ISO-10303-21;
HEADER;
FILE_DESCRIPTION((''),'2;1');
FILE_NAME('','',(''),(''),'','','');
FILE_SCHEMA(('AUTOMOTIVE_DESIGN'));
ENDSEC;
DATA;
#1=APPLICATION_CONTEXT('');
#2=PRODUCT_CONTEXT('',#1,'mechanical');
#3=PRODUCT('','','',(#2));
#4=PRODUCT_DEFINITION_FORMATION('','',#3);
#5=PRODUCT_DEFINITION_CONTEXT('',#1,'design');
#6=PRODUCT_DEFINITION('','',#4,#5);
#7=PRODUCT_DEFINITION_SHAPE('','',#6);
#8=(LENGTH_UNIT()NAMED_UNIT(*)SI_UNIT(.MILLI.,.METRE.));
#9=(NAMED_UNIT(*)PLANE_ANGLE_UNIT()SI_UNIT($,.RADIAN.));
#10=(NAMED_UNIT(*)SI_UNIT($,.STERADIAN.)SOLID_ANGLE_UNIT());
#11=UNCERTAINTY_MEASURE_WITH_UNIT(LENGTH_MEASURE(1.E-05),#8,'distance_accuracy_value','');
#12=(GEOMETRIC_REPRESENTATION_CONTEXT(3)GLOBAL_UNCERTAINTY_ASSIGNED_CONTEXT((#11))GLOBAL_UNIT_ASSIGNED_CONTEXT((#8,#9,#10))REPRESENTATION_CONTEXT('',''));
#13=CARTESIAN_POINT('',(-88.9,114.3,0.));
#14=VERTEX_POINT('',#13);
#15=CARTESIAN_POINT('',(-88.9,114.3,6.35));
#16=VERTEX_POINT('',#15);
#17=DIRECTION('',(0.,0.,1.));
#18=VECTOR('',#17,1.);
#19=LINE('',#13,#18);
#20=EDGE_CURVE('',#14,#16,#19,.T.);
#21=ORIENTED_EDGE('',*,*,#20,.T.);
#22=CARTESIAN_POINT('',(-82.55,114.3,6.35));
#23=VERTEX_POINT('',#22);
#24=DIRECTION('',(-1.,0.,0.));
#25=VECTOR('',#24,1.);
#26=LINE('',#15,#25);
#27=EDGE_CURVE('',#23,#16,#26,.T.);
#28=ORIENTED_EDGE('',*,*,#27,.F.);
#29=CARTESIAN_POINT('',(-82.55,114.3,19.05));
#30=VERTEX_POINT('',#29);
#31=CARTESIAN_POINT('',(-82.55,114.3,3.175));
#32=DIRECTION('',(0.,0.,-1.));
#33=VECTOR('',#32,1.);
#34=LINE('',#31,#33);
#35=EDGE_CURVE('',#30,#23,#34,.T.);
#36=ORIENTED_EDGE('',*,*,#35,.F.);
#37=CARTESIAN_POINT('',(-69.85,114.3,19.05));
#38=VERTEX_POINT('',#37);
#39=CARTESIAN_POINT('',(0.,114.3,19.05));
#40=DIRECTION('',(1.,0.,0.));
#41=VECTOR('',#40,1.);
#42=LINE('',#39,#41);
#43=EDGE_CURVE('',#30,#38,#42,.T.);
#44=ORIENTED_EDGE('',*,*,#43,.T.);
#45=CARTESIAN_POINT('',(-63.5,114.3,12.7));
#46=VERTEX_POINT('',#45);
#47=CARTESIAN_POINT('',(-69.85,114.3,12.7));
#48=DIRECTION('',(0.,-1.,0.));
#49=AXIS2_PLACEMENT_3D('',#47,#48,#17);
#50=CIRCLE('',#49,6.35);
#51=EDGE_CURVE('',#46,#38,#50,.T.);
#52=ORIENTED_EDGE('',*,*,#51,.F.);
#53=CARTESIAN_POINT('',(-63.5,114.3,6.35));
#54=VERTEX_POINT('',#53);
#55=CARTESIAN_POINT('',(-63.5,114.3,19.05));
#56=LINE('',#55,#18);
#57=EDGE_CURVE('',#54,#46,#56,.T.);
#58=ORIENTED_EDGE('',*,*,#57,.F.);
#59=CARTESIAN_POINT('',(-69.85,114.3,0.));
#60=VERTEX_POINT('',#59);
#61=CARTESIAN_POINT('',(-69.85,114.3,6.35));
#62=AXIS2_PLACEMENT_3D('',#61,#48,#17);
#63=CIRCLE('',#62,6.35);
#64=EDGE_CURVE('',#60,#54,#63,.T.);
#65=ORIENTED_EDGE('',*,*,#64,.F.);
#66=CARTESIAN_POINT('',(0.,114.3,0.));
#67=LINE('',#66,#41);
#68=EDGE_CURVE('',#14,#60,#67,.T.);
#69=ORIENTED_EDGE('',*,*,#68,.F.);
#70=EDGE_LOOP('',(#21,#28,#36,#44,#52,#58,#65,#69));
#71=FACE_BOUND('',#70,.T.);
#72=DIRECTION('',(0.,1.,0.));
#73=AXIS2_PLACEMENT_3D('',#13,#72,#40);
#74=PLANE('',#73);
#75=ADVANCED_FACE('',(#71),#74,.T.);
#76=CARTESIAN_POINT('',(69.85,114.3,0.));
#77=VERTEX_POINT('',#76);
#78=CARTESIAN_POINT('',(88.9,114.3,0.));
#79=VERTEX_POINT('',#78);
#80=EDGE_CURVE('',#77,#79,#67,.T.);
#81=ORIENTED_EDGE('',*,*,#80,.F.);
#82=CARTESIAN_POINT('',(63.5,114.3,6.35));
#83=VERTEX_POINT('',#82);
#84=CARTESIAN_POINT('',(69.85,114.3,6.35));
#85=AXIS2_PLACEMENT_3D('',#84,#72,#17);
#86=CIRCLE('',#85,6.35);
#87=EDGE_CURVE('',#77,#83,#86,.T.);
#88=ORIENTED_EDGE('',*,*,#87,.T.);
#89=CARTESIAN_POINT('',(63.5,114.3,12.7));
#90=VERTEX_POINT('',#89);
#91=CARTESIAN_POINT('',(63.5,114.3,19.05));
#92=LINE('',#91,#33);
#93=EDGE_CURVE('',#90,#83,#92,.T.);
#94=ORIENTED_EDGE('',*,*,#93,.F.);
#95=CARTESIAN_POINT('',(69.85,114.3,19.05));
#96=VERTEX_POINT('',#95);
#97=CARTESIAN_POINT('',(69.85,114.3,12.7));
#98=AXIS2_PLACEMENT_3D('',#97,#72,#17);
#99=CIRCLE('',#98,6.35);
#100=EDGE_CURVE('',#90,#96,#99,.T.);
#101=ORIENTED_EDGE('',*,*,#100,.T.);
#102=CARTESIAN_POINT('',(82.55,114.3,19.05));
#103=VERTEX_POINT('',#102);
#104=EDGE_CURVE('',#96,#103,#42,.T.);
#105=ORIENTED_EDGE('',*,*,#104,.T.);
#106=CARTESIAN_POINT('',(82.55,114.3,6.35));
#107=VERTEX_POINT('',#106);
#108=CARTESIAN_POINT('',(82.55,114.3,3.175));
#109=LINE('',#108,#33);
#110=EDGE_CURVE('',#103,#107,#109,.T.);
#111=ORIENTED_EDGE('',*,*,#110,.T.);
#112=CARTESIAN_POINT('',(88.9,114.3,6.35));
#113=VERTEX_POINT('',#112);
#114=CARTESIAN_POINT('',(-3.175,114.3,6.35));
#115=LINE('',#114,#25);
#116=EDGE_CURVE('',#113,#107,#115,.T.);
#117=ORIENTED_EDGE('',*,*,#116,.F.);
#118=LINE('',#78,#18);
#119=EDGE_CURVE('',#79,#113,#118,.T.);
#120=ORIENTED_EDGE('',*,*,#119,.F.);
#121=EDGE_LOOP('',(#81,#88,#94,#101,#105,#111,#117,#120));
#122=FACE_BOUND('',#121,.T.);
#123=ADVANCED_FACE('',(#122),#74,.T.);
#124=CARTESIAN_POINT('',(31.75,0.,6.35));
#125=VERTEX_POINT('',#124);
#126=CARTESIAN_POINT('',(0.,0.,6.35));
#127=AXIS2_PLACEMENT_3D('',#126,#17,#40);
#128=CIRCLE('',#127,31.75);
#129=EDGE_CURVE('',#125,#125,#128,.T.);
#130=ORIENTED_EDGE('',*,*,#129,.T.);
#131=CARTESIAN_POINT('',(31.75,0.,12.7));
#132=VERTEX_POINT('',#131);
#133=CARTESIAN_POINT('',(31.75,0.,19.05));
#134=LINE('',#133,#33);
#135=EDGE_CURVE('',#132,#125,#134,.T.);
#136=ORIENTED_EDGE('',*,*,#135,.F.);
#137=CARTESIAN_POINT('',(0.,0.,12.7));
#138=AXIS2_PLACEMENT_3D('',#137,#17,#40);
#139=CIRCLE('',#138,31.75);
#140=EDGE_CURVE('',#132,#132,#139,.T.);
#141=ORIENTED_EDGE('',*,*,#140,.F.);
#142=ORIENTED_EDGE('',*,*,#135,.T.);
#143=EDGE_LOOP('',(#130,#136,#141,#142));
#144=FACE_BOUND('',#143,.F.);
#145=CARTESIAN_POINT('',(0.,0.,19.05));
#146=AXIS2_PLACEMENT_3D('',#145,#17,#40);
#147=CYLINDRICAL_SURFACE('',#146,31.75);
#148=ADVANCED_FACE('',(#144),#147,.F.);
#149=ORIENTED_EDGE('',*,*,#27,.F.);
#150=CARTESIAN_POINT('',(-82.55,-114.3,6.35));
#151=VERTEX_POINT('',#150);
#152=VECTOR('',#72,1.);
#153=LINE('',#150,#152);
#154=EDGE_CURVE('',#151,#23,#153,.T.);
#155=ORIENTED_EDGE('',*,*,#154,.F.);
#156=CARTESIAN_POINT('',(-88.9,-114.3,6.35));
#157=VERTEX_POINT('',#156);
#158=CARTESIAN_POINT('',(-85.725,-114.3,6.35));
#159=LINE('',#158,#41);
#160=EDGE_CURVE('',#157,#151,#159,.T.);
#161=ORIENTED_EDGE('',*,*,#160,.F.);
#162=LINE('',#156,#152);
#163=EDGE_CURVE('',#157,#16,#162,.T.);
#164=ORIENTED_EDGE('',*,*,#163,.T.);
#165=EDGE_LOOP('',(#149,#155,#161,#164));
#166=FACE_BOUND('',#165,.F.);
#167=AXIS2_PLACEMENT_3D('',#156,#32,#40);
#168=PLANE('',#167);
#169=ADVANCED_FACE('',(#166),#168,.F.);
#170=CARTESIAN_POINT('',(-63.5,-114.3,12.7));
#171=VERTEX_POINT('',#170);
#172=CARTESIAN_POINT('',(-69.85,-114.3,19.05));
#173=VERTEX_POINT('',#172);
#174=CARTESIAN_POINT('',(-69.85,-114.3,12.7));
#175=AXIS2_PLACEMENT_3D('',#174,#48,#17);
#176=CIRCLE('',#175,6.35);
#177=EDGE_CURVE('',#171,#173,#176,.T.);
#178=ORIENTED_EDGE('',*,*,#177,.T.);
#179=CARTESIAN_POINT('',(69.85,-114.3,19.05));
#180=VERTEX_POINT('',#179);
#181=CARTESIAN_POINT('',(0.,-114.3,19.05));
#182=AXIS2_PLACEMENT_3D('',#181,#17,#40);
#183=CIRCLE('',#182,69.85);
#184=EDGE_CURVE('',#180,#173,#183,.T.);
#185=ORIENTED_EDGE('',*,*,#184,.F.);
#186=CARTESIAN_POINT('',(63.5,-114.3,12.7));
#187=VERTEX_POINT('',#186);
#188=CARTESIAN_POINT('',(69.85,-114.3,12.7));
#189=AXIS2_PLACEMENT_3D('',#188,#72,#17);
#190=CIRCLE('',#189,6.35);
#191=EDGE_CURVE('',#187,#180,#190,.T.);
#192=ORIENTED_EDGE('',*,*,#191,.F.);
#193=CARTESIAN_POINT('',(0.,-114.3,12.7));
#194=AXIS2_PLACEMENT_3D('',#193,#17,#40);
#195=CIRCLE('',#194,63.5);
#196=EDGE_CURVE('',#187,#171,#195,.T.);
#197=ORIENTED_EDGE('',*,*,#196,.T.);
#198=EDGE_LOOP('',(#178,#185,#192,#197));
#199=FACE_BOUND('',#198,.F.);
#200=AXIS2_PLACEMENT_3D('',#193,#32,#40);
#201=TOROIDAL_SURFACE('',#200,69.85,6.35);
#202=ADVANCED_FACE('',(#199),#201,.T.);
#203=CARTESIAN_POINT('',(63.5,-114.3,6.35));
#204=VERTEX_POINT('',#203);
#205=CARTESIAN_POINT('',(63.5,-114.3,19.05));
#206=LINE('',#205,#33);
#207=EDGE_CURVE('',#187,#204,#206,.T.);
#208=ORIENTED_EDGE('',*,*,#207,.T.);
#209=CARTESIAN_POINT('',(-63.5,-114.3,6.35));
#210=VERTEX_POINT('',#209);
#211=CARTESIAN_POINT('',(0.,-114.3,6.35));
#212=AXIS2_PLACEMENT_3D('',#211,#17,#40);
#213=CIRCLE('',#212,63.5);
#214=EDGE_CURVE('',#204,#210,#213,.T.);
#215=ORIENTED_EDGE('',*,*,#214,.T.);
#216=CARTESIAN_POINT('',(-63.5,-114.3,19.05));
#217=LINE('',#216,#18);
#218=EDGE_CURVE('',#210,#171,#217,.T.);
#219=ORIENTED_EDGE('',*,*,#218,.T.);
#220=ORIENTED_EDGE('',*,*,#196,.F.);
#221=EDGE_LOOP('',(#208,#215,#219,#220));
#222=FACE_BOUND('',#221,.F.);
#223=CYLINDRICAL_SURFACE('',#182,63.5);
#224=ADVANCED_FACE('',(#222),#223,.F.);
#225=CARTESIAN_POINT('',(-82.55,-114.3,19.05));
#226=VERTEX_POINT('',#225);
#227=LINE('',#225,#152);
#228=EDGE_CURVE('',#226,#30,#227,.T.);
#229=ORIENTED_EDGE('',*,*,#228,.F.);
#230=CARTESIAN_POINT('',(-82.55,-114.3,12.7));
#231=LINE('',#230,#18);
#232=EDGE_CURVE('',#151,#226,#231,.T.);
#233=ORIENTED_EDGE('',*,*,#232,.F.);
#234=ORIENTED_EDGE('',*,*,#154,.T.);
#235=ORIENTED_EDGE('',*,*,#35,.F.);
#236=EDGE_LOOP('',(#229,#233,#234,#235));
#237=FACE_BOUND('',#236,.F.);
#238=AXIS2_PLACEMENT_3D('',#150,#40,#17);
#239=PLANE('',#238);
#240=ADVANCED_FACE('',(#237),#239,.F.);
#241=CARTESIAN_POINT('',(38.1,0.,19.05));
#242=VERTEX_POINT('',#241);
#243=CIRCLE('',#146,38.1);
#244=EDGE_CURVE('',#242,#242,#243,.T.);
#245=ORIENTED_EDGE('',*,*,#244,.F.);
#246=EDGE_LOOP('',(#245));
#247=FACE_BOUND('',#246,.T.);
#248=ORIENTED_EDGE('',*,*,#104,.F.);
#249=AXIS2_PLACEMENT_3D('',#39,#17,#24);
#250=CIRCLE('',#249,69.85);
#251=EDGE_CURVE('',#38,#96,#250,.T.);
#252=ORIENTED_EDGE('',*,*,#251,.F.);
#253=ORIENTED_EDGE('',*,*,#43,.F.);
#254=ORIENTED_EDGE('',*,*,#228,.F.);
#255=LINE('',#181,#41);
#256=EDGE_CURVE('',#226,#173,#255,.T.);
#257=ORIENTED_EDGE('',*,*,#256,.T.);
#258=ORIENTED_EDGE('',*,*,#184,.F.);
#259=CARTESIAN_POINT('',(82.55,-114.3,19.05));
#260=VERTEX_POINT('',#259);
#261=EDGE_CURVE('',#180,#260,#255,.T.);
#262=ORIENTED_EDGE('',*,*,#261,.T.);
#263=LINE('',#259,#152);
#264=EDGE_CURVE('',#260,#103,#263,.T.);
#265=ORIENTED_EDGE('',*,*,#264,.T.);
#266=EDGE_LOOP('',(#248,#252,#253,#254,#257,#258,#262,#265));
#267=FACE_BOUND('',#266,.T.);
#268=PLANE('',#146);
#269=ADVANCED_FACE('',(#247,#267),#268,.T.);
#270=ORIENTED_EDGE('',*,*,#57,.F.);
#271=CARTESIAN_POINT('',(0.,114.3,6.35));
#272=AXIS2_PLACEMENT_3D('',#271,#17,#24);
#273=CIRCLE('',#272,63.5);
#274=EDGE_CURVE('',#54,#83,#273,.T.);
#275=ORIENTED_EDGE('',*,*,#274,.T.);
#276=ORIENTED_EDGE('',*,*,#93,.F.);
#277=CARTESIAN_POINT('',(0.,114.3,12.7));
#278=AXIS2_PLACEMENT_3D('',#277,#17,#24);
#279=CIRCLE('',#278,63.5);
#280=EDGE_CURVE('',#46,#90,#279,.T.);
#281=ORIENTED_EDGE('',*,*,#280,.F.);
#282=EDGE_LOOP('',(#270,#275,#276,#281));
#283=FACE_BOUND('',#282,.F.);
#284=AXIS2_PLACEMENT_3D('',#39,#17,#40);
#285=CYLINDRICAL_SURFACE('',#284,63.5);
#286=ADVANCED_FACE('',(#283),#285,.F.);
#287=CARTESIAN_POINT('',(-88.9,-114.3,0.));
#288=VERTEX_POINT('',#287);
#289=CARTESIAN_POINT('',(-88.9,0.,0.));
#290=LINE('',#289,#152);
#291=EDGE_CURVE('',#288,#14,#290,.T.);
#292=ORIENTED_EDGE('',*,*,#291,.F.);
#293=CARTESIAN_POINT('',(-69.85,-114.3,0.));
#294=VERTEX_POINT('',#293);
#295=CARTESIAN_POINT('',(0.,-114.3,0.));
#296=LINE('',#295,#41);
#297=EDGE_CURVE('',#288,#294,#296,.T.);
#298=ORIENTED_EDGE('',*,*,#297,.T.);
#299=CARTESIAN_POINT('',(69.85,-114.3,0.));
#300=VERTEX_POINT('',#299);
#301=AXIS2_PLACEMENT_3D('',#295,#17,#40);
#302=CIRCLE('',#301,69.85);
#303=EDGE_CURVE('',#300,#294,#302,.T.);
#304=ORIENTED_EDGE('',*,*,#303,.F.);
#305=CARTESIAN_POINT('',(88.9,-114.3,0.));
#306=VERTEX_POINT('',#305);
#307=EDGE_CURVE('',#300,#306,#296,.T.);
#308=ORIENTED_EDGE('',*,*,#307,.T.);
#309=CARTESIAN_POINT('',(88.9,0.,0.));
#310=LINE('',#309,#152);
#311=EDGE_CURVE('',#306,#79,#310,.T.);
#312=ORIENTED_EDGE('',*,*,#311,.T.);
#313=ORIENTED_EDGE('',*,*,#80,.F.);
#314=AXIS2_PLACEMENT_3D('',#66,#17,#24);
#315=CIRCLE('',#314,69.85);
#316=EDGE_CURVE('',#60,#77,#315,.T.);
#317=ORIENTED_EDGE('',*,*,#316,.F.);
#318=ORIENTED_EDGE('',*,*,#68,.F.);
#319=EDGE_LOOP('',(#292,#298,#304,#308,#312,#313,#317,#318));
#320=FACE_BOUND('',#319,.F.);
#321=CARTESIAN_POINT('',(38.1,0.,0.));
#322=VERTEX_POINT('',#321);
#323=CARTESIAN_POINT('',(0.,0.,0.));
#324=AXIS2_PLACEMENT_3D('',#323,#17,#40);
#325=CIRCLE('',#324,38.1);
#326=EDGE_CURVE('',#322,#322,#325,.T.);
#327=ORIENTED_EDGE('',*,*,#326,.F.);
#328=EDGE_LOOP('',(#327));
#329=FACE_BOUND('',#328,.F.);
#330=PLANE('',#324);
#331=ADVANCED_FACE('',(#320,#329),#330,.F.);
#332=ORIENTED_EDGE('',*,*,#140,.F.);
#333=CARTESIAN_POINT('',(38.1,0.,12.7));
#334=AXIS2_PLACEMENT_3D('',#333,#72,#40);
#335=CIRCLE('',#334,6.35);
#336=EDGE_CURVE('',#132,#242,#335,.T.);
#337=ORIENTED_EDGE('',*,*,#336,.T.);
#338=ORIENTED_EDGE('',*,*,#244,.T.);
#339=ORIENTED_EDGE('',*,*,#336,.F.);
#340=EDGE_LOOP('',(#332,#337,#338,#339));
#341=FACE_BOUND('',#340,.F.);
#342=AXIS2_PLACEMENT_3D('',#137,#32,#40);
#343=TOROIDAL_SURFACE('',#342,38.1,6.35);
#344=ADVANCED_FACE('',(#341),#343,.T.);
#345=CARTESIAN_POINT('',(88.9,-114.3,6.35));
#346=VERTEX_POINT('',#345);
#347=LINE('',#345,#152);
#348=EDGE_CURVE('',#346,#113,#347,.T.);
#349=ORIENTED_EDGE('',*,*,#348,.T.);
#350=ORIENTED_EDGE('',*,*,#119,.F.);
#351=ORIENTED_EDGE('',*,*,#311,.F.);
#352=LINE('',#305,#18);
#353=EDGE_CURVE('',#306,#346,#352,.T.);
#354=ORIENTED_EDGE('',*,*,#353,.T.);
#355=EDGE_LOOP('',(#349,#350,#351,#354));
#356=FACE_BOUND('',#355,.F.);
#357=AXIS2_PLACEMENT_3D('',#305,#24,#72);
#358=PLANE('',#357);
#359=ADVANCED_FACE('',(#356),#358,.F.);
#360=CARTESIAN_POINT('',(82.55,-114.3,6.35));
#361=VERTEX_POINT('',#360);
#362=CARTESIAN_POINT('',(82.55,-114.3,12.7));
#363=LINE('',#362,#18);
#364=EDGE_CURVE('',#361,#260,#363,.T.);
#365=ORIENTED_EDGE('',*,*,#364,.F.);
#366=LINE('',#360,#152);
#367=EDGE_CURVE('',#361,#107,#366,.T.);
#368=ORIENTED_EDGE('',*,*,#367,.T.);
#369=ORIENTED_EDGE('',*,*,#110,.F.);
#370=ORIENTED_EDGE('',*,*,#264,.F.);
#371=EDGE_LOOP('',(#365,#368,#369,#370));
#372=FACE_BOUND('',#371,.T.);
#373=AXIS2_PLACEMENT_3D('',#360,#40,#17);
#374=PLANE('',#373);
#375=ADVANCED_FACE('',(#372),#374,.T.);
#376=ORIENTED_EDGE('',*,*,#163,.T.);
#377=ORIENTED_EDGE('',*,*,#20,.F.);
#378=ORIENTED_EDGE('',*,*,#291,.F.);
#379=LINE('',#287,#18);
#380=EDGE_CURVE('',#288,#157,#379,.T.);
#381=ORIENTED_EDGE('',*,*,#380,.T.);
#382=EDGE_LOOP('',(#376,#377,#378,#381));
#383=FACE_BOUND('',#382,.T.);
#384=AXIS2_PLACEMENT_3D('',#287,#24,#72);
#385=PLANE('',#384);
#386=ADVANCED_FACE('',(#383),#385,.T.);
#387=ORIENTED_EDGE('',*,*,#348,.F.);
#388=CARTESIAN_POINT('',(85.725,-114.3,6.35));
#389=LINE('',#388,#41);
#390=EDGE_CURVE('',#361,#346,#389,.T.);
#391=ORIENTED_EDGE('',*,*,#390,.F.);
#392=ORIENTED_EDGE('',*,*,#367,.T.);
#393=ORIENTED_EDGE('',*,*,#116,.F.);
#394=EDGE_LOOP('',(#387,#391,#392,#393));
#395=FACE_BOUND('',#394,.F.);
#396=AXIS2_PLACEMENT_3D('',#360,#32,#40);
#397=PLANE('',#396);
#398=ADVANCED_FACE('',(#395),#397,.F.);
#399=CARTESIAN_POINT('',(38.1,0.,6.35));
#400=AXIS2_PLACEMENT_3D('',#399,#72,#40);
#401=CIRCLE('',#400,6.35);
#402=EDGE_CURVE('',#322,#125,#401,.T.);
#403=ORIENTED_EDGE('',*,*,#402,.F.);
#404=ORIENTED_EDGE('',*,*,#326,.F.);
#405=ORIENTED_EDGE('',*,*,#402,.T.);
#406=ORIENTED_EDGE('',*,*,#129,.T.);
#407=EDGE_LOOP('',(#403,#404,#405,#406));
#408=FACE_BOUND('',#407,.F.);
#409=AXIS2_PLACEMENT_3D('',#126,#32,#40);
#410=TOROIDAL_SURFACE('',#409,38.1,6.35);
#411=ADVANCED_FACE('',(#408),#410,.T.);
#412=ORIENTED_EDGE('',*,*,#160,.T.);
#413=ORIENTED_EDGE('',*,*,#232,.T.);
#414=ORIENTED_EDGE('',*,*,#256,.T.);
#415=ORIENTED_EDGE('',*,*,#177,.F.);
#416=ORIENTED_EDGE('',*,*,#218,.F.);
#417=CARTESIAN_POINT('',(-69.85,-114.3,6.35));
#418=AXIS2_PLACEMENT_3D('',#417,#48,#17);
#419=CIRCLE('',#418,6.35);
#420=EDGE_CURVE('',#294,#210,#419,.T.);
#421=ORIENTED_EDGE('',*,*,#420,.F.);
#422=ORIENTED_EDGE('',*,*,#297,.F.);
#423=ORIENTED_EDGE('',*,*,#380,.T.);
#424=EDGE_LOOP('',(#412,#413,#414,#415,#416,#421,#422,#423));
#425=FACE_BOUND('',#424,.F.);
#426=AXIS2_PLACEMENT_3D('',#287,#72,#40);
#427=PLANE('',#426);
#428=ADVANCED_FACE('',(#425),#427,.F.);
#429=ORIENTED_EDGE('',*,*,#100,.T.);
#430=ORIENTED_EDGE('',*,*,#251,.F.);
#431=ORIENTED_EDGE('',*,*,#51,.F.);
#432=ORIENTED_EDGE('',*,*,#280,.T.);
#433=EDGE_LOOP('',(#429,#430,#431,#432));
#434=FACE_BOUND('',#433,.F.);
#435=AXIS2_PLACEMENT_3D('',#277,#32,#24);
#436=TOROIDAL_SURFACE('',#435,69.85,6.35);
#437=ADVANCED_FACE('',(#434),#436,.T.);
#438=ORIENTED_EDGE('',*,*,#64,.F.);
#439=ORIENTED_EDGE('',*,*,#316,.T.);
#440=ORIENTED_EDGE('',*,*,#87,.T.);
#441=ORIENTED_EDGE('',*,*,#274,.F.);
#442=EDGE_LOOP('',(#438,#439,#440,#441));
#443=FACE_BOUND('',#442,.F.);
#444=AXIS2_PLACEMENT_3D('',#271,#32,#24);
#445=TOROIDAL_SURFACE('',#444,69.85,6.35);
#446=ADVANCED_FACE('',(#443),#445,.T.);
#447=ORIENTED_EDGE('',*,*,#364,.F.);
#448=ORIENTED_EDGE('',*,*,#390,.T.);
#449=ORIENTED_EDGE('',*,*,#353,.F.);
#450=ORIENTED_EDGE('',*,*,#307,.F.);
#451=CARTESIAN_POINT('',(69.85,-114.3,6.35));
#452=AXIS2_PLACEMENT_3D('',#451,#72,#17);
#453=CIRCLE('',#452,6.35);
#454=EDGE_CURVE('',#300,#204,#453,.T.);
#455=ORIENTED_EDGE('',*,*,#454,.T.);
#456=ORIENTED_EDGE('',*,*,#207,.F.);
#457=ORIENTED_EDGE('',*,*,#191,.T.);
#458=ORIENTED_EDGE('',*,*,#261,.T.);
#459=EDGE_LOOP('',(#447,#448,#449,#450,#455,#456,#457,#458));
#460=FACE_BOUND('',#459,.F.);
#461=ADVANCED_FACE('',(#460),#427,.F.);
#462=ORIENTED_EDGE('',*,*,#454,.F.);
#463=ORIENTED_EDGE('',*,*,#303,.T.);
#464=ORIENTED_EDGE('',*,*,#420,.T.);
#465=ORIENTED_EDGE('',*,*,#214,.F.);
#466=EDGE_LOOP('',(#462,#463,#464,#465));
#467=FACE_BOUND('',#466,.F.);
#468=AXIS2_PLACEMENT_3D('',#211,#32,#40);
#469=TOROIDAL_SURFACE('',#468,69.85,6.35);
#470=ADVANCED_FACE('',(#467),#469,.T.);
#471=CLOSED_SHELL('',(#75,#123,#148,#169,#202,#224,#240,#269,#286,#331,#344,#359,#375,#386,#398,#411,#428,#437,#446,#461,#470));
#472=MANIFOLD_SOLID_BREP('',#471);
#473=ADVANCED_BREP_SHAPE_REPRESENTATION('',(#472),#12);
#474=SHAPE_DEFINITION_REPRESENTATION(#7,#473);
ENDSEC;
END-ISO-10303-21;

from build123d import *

# Parameters (mm, degrees)
F0_W     = 177.8
F0_H     = 228.6
F1_DEPTH = 19.05
F2_W     = 6.35
F2_H     = 12.7
F3_DEPTH = 254
F4_R     = 63.5
F4_R_2   = 31.75
F5_DEPTH = 25.4
F6_R     = 6.35


with BuildPart() as f1:
    # F0 (on Top) → F1 (new body)
    with BuildSketch(Plane.XY):
        Rectangle(F0_W, F0_H)
    extrude(amount=F1_DEPTH)

    # F2 (on face) → F3 (cut)
    with BuildSketch(Plane.XZ.offset(114.3)):
        with Locations((85.725, 12.7)):
            Rectangle(F2_W, F2_H)
        with Locations((-85.725, 12.7)):
            Rectangle(F2_W, F2_H)
    extrude(amount=-F3_DEPTH, mode=Mode.SUBTRACT)

    # F4 (on face) → F5 (cut)
    with BuildSketch(Plane.XY.offset(19.05)):
        with Locations((0, -114.3)):
            Circle(F4_R)
        with Locations((0, 114.3)):
            Circle(F4_R)
        Circle(F4_R_2)
    extrude(amount=-F5_DEPTH, mode=Mode.SUBTRACT)

    # F6
    f6_edges = [f1.edges().sort_by_distance(p)[0] for p in [
        (0, 50.8, 0),
        (-31.75, 0, 0),
        (0, -50.8, 0),
        (0, 50.8, 19.05),
        (-31.75, 0, 19.05),
        (0, -50.8, 19.05),
    ]]
    fillet(f6_edges, radius=F6_R)


solid = f1.part
